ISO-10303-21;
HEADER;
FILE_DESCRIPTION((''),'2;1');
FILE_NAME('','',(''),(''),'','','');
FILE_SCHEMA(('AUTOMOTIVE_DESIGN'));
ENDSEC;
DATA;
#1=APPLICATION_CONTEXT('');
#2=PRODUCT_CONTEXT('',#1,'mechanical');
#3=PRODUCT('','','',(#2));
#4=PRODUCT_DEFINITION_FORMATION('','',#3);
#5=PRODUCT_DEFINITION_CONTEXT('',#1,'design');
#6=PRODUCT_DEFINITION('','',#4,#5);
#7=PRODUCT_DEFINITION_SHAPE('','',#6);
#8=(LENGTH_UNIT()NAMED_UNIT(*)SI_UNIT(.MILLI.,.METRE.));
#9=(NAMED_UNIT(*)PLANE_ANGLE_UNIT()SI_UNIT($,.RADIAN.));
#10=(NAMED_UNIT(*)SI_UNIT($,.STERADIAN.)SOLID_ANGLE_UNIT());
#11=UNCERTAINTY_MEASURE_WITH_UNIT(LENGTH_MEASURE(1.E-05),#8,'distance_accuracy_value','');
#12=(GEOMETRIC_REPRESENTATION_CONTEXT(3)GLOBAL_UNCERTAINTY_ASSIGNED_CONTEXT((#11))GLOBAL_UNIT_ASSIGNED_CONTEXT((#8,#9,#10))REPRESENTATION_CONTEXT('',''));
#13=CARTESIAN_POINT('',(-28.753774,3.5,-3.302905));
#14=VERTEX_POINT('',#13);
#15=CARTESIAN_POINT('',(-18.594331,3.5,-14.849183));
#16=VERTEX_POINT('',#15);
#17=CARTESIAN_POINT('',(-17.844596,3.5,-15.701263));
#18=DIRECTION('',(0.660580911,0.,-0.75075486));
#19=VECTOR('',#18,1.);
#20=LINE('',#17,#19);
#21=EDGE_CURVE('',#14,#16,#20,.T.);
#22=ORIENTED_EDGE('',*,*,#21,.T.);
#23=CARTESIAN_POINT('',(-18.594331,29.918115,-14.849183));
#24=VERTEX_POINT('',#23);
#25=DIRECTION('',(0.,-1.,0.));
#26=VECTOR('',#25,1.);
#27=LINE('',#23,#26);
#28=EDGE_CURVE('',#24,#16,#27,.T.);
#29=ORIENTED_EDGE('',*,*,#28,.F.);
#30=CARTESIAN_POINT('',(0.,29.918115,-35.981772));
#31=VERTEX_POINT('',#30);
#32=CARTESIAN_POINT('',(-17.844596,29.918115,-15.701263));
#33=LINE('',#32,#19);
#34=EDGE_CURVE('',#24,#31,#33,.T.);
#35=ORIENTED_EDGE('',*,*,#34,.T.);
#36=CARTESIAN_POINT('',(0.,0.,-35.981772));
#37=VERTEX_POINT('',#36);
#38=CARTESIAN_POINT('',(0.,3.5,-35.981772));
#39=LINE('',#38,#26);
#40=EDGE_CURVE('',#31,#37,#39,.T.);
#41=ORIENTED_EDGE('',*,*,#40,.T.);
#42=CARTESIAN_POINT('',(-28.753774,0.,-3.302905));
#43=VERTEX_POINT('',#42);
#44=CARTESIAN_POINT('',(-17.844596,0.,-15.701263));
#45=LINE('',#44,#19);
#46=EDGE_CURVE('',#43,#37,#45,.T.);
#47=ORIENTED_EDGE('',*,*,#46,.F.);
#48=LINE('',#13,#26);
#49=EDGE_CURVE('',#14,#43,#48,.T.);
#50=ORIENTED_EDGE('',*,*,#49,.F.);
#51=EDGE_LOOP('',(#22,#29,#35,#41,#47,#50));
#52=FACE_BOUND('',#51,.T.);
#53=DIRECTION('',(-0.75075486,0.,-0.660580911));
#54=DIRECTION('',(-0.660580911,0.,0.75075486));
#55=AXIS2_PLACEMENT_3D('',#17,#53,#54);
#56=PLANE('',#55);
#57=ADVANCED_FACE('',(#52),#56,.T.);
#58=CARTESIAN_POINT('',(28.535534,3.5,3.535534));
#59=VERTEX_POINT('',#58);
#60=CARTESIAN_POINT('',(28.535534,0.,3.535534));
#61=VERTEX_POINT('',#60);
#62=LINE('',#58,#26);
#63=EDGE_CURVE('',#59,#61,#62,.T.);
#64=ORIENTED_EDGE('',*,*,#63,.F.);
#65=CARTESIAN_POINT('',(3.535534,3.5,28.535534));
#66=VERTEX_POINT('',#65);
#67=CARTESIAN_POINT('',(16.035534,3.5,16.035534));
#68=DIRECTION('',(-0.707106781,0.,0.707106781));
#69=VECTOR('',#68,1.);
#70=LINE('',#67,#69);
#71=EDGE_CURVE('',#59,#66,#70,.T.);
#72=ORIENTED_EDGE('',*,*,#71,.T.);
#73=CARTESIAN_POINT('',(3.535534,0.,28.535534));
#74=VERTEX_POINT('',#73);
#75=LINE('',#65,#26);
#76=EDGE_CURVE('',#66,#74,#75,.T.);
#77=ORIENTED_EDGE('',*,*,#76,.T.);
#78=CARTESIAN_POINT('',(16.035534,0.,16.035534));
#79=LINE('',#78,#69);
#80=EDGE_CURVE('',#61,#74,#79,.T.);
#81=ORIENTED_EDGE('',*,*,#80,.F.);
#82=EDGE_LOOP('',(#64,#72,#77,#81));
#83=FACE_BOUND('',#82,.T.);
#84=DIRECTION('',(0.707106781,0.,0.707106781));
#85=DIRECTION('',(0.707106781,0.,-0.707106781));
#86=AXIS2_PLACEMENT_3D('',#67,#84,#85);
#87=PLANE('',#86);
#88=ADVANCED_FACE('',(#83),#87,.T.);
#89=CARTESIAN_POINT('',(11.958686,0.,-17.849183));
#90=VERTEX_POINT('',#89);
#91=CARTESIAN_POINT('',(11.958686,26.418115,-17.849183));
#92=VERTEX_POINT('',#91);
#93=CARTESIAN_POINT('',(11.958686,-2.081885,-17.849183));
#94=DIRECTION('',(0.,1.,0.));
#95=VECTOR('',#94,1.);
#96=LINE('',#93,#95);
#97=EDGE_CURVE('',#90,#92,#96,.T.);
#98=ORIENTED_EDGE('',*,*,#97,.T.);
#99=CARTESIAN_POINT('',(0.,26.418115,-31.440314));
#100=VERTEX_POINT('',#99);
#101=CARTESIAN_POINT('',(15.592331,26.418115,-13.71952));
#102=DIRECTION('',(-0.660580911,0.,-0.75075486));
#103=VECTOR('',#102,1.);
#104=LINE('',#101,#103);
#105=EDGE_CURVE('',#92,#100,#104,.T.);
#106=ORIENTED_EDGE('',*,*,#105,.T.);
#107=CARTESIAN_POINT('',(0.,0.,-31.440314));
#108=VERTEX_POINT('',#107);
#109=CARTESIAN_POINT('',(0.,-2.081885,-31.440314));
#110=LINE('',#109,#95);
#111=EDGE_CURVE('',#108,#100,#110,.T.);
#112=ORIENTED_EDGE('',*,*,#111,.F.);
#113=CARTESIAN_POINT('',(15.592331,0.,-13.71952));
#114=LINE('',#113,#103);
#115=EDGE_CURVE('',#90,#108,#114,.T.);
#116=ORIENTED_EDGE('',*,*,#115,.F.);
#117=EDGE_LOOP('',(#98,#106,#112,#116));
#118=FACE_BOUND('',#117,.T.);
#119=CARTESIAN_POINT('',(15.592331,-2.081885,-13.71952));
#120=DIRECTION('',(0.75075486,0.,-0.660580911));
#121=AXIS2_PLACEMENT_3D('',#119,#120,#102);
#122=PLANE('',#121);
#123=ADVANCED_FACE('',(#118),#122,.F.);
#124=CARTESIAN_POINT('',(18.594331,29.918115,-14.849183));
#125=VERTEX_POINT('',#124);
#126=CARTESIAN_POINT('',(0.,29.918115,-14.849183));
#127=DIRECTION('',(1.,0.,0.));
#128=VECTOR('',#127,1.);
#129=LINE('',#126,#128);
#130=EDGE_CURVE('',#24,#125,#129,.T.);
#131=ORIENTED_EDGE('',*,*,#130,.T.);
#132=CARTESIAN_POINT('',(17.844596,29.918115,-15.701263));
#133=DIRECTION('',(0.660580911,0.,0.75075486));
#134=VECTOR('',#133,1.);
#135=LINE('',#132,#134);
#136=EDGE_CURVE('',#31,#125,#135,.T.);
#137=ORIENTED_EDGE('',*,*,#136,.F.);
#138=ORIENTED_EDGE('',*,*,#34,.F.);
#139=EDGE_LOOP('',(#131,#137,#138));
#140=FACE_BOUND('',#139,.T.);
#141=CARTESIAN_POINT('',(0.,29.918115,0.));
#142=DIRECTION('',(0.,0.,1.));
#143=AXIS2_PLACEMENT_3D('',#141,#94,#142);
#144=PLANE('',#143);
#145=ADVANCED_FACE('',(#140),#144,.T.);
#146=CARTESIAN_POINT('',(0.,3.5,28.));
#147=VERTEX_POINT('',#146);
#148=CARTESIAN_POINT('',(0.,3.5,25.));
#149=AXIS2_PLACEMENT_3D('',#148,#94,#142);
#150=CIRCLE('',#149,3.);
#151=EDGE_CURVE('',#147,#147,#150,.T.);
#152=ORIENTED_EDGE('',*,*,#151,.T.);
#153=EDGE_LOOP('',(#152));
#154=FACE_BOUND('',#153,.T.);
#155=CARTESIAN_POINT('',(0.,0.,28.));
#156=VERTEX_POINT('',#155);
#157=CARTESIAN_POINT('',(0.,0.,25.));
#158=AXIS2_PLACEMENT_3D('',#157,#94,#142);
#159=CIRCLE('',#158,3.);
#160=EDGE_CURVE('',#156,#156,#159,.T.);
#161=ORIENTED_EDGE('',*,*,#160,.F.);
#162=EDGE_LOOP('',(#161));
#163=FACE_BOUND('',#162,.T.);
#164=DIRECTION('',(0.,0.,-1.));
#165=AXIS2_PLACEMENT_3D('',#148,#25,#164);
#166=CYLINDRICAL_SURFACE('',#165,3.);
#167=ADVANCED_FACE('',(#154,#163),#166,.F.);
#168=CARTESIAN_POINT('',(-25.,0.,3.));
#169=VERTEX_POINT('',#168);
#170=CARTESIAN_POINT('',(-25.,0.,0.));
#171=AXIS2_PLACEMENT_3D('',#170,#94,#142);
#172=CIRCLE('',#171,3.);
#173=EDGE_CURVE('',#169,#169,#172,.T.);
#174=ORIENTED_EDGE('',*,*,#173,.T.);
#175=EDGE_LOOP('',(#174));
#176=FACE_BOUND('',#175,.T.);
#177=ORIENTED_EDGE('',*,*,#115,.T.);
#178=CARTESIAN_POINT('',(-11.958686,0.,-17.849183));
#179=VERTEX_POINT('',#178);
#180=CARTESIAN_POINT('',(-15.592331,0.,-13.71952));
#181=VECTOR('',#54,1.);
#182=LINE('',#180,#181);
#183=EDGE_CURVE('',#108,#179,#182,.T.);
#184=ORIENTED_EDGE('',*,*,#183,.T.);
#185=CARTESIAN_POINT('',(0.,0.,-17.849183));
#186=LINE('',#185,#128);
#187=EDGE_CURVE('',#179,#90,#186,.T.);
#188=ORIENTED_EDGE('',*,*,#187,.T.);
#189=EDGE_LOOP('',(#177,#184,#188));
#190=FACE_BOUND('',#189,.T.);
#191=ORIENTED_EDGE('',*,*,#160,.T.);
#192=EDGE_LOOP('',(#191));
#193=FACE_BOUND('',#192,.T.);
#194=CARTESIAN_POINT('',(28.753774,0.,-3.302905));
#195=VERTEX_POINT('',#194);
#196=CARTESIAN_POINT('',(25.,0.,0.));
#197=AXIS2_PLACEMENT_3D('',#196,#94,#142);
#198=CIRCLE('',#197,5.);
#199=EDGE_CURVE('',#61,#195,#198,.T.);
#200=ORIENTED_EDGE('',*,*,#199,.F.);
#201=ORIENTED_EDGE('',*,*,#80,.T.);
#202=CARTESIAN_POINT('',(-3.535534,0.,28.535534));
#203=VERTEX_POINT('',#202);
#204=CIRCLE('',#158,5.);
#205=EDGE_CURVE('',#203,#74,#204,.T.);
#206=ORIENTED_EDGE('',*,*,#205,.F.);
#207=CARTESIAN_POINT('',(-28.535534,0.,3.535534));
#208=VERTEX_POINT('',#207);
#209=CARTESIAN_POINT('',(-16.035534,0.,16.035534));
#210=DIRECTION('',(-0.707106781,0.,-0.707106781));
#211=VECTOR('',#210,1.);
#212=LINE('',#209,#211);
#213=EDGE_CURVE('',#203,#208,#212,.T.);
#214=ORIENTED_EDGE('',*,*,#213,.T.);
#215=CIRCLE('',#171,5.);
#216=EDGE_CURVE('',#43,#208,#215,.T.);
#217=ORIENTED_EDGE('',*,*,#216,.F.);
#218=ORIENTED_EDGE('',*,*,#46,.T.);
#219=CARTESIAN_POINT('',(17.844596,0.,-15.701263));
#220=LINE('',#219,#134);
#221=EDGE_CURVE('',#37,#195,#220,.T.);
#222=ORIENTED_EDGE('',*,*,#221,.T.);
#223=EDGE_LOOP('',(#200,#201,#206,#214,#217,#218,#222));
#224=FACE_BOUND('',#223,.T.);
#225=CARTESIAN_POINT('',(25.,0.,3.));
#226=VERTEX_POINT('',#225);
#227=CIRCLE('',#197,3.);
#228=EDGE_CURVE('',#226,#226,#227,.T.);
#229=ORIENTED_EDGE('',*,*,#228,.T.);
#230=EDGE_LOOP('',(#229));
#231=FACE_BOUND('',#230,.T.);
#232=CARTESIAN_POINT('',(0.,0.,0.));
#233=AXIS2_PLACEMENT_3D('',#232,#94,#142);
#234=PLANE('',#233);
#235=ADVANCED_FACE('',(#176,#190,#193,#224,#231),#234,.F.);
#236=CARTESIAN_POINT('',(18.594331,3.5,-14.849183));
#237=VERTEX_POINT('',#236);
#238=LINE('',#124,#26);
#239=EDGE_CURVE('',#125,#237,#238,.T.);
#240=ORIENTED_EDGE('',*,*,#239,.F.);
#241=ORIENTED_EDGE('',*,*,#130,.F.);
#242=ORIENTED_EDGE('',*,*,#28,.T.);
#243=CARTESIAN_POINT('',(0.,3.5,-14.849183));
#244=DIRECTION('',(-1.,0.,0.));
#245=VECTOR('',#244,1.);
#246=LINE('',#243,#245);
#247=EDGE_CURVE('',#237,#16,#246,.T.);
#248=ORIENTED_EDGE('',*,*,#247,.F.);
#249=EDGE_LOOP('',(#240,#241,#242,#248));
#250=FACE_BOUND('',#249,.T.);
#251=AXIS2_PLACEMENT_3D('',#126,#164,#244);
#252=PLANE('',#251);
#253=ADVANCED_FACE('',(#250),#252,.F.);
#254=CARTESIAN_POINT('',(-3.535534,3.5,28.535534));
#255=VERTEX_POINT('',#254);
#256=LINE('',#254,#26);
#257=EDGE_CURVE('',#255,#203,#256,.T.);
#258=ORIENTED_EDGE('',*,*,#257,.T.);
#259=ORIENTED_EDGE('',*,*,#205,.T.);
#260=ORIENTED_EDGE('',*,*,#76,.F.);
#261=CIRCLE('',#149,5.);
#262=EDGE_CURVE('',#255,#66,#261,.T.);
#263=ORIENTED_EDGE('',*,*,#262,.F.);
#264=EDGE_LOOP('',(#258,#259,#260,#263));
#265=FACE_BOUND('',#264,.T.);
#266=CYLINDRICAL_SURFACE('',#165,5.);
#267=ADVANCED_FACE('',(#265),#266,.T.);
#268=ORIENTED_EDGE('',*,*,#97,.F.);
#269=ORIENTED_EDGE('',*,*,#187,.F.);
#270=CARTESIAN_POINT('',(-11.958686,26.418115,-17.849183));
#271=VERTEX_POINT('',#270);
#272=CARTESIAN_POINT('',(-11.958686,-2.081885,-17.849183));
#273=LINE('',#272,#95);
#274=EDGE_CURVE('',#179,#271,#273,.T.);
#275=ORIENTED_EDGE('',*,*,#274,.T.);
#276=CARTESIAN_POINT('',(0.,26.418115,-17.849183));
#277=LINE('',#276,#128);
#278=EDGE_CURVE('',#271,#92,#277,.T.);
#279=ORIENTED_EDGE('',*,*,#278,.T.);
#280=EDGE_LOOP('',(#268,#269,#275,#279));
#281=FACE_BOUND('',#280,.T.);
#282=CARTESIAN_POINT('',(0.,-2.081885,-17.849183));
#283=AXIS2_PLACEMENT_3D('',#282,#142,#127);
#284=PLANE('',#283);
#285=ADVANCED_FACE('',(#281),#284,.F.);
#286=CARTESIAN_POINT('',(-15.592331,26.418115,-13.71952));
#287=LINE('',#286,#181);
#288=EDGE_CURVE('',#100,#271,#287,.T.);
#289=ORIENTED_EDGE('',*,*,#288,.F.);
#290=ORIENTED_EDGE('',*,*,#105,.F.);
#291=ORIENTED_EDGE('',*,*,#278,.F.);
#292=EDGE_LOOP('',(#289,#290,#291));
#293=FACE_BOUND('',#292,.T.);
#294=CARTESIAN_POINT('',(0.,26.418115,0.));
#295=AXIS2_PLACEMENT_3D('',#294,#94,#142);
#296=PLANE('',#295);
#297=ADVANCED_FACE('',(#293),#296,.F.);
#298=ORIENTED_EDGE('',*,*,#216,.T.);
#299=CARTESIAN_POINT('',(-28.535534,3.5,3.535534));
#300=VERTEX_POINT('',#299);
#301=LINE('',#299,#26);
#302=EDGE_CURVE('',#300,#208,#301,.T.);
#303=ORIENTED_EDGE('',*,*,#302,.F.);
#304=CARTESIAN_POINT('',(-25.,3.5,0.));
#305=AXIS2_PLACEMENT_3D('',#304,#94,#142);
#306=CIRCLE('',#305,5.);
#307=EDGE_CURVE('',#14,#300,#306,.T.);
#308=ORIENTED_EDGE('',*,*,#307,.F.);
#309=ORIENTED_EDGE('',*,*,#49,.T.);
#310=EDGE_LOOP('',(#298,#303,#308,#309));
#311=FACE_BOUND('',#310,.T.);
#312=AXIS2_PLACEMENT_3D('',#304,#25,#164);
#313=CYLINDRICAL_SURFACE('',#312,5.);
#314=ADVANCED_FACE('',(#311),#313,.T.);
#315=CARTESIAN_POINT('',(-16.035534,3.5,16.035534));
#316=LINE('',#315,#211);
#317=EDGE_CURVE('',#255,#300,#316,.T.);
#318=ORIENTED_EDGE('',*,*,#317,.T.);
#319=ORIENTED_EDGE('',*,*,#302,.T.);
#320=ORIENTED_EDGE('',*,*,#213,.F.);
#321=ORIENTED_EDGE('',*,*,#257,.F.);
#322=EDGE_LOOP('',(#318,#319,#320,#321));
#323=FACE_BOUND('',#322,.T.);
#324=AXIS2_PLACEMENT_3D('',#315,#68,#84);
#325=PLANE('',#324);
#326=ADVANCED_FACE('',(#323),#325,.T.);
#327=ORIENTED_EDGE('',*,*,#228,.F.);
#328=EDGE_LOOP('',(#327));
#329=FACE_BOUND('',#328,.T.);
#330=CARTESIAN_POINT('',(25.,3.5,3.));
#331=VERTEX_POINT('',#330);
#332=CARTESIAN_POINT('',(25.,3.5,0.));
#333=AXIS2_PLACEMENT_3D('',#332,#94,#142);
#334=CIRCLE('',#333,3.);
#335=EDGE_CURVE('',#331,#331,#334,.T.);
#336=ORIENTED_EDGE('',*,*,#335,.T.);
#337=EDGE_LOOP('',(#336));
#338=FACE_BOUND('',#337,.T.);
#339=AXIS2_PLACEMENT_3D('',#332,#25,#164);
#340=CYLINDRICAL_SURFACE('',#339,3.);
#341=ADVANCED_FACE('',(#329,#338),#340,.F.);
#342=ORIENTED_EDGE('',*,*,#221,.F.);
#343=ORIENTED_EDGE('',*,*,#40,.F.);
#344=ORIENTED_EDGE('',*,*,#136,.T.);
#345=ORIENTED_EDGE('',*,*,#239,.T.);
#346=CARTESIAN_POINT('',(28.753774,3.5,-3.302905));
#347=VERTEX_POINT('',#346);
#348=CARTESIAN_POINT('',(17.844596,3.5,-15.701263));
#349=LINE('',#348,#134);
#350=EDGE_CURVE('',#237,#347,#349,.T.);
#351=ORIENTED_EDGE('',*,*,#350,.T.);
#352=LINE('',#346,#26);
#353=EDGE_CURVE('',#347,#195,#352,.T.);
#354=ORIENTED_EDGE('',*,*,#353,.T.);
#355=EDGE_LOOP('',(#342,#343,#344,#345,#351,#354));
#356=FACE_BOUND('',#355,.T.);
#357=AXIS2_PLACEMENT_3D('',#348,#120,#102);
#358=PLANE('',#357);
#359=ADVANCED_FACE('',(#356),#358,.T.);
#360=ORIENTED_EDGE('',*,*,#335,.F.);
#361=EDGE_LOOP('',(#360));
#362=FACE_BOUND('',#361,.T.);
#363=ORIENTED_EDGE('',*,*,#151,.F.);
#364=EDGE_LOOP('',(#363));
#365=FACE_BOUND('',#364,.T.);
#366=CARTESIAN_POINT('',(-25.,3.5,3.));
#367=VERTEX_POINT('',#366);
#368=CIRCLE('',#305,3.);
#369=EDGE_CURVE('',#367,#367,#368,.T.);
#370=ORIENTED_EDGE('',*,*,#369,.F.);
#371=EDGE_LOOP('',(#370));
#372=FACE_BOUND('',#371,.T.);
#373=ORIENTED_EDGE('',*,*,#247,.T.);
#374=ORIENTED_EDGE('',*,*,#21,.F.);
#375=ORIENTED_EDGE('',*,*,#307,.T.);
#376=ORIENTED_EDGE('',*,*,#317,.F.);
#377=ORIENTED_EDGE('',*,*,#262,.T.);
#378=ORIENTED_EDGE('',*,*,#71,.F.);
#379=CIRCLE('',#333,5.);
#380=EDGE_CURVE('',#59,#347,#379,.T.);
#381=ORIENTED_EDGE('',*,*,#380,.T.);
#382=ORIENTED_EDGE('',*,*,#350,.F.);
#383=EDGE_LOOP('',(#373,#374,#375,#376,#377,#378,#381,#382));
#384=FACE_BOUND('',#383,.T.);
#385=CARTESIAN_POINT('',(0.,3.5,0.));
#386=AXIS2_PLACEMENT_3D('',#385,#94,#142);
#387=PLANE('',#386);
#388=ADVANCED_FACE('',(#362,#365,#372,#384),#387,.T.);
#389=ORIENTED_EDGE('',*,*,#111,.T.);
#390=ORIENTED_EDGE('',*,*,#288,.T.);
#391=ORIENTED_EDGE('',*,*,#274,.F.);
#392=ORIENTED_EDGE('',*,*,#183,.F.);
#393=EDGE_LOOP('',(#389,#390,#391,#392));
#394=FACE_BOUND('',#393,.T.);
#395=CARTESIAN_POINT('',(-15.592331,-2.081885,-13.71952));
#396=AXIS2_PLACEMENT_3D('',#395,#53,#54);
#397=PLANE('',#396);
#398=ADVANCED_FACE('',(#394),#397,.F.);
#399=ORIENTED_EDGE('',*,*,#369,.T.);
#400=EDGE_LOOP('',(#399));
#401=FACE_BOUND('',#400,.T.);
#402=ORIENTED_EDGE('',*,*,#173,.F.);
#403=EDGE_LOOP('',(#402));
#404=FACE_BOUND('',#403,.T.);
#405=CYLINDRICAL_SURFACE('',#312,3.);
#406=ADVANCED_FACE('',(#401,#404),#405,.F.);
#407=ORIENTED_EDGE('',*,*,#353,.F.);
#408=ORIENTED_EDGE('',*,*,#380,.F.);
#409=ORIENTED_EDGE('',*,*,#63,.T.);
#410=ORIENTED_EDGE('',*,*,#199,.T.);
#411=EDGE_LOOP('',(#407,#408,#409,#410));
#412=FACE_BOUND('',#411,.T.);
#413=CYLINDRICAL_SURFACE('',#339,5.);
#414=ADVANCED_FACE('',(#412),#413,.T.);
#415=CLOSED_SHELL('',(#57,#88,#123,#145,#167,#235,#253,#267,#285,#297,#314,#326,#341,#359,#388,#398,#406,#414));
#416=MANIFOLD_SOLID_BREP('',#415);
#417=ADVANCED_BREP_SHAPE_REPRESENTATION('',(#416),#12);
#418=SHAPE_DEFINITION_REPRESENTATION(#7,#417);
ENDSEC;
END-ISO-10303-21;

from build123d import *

# Parameters (mm, degrees)
SKETCH1_R           = 3
BOSS_EXTRUDE1_DEPTH = 3.5
BOSS_EXTRUDE2_DEPTH = 29.918114598
CUT_EXTRUDE1_START  = -3.5
CUT_EXTRUDE1_DEPTH  = 28.5


with BuildPart() as part:
    # Sketch1 → Boss-Extrude1 (new body)
    with BuildSketch(Plane(origin=(0, 0, 0), x_dir=(1, 0, 0), z_dir=(0, 1, 0))):
        with BuildLine():
            ThreePointArc((-28.753774302, 3.302904553), (-29.997455721, -0.159487685), (-28.535533906, -3.535533906))
            Line((-28.535533906, -3.535533906), (-3.535533906, -28.535533906))
            ThreePointArc((-3.535533906, -28.535533906), (0, -30), (3.535533906, -28.535533906))
            Line((3.535533906, -28.535533906), (28.535533906, -3.535533906))
            ThreePointArc((28.535533906, -3.535533906), (29.997455721, -0.159487685), (28.753774302, 3.302904553))
            Line((28.753774302, 3.302904553), (0, 35.98177169))
            Line((0, 35.98177169), (-28.753774302, 3.302904553))
        make_face()
        with Locations((25, 0)):
            Circle(SKETCH1_R, mode=Mode.SUBTRACT)
        with Locations((0, -25)):
            Circle(SKETCH1_R, mode=Mode.SUBTRACT)
        with Locations((-25, 0)):
            Circle(SKETCH1_R, mode=Mode.SUBTRACT)
    extrude(amount=BOSS_EXTRUDE1_DEPTH)

    # Sketch1<3> → Boss-Extrude2 (add)
    with BuildSketch(Plane(origin=(0, 0, 0), x_dir=(1, 0, 0), z_dir=(0, 1, 0))):
        Polygon((0, 35.98177169), (-18.594331138, 14.849183308), (18.594331138, 14.849183308), align=None)
    extrude(amount=BOSS_EXTRUDE2_DEPTH)

    # Sketch3 → Cut-Extrude1 (cut)
    with BuildSketch(Plane(origin=(0, 29.918114598, 0), x_dir=(1, 0, 0), z_dir=(0, 1, 0)).offset(CUT_EXTRUDE1_START)):
        Polygon((11.958686143, 17.849183308), (0, 31.440314389), (-11.958686143, 17.849183308), align=None)
    extrude(amount=-CUT_EXTRUDE1_DEPTH, mode=Mode.SUBTRACT)


solid = part.part
